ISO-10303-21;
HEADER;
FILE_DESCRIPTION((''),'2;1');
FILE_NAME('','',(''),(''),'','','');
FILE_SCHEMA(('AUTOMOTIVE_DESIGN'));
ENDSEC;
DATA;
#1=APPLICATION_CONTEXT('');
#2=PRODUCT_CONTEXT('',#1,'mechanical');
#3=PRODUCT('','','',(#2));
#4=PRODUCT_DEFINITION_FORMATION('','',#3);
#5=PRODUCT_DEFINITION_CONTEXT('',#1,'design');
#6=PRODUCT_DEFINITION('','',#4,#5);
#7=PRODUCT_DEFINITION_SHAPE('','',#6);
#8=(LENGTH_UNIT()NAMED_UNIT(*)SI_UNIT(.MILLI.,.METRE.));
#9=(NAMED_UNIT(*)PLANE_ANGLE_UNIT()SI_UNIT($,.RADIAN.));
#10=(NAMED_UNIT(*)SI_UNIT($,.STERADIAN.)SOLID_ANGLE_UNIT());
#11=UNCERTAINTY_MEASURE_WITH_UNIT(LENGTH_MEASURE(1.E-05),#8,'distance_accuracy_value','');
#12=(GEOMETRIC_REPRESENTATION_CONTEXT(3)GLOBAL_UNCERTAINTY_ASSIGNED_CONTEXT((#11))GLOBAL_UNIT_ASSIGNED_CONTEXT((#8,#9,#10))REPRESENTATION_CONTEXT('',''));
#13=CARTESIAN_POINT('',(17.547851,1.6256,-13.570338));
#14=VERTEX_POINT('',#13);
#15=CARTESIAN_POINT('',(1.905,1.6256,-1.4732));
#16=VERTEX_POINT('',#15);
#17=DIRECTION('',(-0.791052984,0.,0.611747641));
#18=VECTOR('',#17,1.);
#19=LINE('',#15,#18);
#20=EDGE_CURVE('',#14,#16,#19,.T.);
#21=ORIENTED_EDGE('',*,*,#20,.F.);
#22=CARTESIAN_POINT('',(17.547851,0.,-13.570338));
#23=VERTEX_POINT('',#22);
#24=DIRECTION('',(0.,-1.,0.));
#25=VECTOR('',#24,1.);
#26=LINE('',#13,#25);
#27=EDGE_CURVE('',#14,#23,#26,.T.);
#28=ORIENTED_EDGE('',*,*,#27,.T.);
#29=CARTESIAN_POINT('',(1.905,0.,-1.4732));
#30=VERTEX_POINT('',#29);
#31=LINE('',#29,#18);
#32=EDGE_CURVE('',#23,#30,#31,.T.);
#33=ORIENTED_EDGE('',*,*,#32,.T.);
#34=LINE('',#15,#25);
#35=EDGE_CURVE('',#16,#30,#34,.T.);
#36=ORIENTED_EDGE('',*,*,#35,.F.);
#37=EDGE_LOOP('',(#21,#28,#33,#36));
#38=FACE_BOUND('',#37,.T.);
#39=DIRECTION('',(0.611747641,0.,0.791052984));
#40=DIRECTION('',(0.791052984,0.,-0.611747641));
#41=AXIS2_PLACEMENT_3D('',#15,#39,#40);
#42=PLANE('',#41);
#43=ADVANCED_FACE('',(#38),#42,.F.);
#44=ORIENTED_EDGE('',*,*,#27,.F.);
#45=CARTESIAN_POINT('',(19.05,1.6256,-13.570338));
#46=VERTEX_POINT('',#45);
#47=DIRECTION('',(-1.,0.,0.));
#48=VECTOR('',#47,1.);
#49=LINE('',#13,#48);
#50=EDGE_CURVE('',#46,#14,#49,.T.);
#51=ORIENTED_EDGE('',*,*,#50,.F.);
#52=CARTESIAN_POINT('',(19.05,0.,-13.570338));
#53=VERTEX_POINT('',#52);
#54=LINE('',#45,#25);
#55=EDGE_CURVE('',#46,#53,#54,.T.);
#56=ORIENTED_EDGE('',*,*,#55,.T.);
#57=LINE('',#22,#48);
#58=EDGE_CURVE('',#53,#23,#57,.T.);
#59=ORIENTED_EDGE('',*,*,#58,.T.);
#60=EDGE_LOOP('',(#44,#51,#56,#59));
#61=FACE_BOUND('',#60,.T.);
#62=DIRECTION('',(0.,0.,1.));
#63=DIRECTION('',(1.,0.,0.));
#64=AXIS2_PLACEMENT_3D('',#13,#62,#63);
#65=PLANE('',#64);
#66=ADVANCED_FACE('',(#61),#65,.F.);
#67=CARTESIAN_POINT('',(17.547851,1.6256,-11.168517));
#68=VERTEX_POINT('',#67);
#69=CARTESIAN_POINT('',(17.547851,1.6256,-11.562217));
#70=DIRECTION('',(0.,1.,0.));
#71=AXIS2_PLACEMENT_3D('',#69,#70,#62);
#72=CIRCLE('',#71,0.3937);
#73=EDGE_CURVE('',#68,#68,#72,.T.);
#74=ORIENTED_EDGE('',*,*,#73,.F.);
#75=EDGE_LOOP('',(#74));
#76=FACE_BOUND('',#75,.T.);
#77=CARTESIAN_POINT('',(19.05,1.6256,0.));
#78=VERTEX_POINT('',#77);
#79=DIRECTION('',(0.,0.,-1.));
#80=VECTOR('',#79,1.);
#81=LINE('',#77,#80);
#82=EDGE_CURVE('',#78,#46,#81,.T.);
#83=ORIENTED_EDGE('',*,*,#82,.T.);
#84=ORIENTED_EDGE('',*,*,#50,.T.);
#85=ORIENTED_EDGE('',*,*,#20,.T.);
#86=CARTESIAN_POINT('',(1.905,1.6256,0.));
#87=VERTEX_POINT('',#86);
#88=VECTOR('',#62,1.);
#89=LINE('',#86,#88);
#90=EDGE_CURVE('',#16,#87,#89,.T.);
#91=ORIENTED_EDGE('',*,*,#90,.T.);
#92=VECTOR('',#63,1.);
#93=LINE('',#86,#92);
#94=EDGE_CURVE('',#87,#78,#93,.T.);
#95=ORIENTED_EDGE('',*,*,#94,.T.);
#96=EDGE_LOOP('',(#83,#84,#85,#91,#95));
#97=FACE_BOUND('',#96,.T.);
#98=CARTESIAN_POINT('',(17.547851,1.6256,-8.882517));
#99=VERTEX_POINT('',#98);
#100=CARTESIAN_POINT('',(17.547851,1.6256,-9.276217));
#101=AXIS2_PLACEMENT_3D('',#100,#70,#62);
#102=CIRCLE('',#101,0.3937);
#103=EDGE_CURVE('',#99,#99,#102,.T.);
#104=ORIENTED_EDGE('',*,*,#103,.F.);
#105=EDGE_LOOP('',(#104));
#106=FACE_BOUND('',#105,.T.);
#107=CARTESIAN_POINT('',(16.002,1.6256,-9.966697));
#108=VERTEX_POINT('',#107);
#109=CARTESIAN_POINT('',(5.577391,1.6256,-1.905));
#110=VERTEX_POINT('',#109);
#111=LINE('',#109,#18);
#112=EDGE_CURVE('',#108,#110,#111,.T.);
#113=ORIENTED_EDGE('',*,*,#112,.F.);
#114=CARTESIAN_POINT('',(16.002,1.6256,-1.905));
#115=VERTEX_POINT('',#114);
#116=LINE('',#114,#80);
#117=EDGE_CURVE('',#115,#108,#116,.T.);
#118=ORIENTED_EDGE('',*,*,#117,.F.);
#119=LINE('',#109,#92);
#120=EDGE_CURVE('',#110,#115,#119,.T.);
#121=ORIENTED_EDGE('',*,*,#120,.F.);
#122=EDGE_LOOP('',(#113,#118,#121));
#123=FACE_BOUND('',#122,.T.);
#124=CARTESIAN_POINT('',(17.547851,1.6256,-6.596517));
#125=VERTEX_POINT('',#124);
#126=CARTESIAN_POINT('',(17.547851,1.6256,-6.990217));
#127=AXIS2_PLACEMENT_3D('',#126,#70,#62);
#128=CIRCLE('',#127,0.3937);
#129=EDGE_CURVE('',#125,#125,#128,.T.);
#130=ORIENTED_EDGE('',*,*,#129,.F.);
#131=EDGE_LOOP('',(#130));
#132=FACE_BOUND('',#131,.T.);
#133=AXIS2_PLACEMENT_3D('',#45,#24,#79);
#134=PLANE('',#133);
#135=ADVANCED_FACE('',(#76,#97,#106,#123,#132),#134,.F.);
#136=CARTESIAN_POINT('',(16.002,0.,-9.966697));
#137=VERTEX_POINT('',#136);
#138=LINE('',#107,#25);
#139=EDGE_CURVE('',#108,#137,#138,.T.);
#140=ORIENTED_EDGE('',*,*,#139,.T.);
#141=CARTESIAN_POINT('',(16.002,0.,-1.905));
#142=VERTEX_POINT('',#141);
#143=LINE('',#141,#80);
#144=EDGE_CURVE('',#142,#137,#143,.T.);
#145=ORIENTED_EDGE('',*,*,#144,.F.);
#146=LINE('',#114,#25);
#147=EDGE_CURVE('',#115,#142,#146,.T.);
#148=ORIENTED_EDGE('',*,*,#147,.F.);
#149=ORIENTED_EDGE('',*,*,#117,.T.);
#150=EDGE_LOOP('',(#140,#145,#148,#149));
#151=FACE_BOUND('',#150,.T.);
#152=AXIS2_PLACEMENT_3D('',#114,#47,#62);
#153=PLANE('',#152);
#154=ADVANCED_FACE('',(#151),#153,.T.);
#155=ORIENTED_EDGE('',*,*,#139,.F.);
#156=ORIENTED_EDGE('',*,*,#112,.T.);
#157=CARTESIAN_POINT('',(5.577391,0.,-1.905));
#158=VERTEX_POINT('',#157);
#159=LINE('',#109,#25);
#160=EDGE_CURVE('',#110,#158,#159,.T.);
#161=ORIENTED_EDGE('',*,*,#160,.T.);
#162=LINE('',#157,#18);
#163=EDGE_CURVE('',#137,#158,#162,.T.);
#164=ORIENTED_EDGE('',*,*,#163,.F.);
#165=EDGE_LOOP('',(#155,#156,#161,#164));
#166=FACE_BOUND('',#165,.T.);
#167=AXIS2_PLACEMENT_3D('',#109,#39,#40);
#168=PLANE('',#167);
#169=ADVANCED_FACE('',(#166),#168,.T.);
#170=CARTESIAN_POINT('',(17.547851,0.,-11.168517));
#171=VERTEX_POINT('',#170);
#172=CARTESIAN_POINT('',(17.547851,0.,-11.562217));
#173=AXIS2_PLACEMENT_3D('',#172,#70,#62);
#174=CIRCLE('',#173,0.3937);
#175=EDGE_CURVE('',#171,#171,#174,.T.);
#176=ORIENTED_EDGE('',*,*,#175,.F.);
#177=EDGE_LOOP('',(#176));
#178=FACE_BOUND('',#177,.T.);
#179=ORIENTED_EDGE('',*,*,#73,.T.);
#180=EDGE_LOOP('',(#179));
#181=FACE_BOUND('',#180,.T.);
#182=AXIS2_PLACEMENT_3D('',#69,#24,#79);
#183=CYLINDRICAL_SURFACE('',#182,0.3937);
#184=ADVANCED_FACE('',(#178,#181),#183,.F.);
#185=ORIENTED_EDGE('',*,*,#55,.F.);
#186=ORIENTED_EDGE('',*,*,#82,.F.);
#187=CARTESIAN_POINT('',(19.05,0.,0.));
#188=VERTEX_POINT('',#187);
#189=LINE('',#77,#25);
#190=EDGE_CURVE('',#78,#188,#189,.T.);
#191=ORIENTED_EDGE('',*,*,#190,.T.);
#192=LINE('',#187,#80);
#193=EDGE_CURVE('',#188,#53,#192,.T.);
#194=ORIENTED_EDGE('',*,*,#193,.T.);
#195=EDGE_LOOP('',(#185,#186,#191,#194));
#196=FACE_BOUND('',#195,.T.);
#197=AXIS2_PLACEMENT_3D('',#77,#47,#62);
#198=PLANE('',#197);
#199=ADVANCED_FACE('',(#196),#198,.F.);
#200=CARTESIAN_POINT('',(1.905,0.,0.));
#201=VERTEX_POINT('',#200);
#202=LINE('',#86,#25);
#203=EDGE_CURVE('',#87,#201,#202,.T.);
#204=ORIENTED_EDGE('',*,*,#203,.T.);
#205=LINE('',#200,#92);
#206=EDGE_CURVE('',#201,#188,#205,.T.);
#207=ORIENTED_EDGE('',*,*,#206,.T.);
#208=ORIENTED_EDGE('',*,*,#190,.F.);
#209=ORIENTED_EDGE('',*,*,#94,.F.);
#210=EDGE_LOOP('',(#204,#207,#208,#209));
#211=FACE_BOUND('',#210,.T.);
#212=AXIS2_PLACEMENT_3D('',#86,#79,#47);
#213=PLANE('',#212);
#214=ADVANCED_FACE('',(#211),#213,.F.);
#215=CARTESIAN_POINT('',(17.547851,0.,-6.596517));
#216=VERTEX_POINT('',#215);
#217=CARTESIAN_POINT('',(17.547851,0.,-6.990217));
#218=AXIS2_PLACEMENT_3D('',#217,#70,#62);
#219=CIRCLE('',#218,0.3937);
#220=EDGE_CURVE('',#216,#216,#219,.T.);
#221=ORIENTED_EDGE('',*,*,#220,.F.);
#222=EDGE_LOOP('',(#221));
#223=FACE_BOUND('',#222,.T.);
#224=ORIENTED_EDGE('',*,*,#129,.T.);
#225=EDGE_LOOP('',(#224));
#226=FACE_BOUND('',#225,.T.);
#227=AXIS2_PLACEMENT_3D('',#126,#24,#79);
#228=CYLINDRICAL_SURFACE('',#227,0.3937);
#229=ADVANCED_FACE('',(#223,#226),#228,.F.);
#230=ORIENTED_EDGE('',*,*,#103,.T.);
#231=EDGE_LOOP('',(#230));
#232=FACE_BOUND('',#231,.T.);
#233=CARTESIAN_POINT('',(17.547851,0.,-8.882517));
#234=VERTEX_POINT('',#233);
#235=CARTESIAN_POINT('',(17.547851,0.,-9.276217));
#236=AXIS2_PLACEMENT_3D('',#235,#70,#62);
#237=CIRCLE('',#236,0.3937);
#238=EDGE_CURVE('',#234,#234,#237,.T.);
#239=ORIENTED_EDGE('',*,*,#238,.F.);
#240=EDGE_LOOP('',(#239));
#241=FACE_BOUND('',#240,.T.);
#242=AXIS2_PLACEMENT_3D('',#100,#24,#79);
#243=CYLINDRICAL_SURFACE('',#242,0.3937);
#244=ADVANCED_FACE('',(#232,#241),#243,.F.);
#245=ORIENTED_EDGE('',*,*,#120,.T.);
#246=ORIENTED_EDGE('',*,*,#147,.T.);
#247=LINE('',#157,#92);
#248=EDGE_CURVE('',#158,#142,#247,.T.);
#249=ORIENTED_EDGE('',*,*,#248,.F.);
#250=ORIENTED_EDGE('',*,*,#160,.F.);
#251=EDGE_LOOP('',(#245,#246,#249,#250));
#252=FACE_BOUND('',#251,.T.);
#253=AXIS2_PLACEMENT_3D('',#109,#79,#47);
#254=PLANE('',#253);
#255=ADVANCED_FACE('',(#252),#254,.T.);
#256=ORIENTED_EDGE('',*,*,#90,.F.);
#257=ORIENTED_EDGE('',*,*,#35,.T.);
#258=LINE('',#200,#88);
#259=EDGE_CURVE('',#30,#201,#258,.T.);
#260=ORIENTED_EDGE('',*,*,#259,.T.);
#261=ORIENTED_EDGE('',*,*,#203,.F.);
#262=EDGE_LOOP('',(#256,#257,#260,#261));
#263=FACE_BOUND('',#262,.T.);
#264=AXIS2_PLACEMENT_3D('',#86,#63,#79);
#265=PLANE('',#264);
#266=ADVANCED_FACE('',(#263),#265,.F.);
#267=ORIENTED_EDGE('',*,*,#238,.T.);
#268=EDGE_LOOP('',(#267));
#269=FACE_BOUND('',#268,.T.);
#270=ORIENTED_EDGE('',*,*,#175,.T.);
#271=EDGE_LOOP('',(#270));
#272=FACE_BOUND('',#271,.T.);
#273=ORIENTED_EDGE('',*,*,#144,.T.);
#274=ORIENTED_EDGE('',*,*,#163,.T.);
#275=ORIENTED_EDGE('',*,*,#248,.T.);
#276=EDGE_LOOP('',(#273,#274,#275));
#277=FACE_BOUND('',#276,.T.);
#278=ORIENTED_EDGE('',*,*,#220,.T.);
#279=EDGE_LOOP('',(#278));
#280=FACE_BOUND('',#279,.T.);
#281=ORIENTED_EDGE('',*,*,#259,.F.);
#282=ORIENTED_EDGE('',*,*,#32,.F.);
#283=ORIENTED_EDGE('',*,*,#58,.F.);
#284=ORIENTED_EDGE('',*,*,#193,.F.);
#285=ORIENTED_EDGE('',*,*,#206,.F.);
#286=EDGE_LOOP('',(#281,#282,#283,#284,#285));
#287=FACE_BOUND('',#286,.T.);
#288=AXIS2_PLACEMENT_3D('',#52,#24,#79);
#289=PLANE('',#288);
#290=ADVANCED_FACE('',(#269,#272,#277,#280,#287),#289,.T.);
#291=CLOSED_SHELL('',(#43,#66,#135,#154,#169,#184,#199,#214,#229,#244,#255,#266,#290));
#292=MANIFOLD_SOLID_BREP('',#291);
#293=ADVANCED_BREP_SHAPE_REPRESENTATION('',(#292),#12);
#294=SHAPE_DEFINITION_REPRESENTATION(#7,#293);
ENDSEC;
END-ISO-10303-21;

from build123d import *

# Parameters (mm, degrees)
SKETCH1_R           = 0.3937
BOSS_EXTRUDE1_DEPTH = 1.6256


with BuildPart() as part:
    # Sketch1 → Boss-Extrude1 (new body)
    with BuildSketch(Plane(origin=(0, 0, 0), x_dir=(1, 0, 0), z_dir=(0, 1, 0))):
        Polygon((1.905, 1.4732), (17.54785055, 13.570337759), (19.05, 13.570337759), (19.05, 0), (1.905, 0), align=None)
        with Locations(Location((17.54785055, 11.562216741, 0), (0, 0, 270))):
            Circle(SKETCH1_R, mode=Mode.SUBTRACT)
        with Locations(Location((17.54785055, 9.276216741, 0), (0, 0, 270))):
            Circle(SKETCH1_R, mode=Mode.SUBTRACT)
        with Locations(Location((17.54785055, 6.990216741, 0), (0, 0, 270))):
            Circle(SKETCH1_R, mode=Mode.SUBTRACT)
        Polygon((5.577391241, 1.905), (16.002, 1.905), (16.002, 9.96669744), align=None, mode=Mode.SUBTRACT)
    extrude(amount=BOSS_EXTRUDE1_DEPTH)


solid = part.part
